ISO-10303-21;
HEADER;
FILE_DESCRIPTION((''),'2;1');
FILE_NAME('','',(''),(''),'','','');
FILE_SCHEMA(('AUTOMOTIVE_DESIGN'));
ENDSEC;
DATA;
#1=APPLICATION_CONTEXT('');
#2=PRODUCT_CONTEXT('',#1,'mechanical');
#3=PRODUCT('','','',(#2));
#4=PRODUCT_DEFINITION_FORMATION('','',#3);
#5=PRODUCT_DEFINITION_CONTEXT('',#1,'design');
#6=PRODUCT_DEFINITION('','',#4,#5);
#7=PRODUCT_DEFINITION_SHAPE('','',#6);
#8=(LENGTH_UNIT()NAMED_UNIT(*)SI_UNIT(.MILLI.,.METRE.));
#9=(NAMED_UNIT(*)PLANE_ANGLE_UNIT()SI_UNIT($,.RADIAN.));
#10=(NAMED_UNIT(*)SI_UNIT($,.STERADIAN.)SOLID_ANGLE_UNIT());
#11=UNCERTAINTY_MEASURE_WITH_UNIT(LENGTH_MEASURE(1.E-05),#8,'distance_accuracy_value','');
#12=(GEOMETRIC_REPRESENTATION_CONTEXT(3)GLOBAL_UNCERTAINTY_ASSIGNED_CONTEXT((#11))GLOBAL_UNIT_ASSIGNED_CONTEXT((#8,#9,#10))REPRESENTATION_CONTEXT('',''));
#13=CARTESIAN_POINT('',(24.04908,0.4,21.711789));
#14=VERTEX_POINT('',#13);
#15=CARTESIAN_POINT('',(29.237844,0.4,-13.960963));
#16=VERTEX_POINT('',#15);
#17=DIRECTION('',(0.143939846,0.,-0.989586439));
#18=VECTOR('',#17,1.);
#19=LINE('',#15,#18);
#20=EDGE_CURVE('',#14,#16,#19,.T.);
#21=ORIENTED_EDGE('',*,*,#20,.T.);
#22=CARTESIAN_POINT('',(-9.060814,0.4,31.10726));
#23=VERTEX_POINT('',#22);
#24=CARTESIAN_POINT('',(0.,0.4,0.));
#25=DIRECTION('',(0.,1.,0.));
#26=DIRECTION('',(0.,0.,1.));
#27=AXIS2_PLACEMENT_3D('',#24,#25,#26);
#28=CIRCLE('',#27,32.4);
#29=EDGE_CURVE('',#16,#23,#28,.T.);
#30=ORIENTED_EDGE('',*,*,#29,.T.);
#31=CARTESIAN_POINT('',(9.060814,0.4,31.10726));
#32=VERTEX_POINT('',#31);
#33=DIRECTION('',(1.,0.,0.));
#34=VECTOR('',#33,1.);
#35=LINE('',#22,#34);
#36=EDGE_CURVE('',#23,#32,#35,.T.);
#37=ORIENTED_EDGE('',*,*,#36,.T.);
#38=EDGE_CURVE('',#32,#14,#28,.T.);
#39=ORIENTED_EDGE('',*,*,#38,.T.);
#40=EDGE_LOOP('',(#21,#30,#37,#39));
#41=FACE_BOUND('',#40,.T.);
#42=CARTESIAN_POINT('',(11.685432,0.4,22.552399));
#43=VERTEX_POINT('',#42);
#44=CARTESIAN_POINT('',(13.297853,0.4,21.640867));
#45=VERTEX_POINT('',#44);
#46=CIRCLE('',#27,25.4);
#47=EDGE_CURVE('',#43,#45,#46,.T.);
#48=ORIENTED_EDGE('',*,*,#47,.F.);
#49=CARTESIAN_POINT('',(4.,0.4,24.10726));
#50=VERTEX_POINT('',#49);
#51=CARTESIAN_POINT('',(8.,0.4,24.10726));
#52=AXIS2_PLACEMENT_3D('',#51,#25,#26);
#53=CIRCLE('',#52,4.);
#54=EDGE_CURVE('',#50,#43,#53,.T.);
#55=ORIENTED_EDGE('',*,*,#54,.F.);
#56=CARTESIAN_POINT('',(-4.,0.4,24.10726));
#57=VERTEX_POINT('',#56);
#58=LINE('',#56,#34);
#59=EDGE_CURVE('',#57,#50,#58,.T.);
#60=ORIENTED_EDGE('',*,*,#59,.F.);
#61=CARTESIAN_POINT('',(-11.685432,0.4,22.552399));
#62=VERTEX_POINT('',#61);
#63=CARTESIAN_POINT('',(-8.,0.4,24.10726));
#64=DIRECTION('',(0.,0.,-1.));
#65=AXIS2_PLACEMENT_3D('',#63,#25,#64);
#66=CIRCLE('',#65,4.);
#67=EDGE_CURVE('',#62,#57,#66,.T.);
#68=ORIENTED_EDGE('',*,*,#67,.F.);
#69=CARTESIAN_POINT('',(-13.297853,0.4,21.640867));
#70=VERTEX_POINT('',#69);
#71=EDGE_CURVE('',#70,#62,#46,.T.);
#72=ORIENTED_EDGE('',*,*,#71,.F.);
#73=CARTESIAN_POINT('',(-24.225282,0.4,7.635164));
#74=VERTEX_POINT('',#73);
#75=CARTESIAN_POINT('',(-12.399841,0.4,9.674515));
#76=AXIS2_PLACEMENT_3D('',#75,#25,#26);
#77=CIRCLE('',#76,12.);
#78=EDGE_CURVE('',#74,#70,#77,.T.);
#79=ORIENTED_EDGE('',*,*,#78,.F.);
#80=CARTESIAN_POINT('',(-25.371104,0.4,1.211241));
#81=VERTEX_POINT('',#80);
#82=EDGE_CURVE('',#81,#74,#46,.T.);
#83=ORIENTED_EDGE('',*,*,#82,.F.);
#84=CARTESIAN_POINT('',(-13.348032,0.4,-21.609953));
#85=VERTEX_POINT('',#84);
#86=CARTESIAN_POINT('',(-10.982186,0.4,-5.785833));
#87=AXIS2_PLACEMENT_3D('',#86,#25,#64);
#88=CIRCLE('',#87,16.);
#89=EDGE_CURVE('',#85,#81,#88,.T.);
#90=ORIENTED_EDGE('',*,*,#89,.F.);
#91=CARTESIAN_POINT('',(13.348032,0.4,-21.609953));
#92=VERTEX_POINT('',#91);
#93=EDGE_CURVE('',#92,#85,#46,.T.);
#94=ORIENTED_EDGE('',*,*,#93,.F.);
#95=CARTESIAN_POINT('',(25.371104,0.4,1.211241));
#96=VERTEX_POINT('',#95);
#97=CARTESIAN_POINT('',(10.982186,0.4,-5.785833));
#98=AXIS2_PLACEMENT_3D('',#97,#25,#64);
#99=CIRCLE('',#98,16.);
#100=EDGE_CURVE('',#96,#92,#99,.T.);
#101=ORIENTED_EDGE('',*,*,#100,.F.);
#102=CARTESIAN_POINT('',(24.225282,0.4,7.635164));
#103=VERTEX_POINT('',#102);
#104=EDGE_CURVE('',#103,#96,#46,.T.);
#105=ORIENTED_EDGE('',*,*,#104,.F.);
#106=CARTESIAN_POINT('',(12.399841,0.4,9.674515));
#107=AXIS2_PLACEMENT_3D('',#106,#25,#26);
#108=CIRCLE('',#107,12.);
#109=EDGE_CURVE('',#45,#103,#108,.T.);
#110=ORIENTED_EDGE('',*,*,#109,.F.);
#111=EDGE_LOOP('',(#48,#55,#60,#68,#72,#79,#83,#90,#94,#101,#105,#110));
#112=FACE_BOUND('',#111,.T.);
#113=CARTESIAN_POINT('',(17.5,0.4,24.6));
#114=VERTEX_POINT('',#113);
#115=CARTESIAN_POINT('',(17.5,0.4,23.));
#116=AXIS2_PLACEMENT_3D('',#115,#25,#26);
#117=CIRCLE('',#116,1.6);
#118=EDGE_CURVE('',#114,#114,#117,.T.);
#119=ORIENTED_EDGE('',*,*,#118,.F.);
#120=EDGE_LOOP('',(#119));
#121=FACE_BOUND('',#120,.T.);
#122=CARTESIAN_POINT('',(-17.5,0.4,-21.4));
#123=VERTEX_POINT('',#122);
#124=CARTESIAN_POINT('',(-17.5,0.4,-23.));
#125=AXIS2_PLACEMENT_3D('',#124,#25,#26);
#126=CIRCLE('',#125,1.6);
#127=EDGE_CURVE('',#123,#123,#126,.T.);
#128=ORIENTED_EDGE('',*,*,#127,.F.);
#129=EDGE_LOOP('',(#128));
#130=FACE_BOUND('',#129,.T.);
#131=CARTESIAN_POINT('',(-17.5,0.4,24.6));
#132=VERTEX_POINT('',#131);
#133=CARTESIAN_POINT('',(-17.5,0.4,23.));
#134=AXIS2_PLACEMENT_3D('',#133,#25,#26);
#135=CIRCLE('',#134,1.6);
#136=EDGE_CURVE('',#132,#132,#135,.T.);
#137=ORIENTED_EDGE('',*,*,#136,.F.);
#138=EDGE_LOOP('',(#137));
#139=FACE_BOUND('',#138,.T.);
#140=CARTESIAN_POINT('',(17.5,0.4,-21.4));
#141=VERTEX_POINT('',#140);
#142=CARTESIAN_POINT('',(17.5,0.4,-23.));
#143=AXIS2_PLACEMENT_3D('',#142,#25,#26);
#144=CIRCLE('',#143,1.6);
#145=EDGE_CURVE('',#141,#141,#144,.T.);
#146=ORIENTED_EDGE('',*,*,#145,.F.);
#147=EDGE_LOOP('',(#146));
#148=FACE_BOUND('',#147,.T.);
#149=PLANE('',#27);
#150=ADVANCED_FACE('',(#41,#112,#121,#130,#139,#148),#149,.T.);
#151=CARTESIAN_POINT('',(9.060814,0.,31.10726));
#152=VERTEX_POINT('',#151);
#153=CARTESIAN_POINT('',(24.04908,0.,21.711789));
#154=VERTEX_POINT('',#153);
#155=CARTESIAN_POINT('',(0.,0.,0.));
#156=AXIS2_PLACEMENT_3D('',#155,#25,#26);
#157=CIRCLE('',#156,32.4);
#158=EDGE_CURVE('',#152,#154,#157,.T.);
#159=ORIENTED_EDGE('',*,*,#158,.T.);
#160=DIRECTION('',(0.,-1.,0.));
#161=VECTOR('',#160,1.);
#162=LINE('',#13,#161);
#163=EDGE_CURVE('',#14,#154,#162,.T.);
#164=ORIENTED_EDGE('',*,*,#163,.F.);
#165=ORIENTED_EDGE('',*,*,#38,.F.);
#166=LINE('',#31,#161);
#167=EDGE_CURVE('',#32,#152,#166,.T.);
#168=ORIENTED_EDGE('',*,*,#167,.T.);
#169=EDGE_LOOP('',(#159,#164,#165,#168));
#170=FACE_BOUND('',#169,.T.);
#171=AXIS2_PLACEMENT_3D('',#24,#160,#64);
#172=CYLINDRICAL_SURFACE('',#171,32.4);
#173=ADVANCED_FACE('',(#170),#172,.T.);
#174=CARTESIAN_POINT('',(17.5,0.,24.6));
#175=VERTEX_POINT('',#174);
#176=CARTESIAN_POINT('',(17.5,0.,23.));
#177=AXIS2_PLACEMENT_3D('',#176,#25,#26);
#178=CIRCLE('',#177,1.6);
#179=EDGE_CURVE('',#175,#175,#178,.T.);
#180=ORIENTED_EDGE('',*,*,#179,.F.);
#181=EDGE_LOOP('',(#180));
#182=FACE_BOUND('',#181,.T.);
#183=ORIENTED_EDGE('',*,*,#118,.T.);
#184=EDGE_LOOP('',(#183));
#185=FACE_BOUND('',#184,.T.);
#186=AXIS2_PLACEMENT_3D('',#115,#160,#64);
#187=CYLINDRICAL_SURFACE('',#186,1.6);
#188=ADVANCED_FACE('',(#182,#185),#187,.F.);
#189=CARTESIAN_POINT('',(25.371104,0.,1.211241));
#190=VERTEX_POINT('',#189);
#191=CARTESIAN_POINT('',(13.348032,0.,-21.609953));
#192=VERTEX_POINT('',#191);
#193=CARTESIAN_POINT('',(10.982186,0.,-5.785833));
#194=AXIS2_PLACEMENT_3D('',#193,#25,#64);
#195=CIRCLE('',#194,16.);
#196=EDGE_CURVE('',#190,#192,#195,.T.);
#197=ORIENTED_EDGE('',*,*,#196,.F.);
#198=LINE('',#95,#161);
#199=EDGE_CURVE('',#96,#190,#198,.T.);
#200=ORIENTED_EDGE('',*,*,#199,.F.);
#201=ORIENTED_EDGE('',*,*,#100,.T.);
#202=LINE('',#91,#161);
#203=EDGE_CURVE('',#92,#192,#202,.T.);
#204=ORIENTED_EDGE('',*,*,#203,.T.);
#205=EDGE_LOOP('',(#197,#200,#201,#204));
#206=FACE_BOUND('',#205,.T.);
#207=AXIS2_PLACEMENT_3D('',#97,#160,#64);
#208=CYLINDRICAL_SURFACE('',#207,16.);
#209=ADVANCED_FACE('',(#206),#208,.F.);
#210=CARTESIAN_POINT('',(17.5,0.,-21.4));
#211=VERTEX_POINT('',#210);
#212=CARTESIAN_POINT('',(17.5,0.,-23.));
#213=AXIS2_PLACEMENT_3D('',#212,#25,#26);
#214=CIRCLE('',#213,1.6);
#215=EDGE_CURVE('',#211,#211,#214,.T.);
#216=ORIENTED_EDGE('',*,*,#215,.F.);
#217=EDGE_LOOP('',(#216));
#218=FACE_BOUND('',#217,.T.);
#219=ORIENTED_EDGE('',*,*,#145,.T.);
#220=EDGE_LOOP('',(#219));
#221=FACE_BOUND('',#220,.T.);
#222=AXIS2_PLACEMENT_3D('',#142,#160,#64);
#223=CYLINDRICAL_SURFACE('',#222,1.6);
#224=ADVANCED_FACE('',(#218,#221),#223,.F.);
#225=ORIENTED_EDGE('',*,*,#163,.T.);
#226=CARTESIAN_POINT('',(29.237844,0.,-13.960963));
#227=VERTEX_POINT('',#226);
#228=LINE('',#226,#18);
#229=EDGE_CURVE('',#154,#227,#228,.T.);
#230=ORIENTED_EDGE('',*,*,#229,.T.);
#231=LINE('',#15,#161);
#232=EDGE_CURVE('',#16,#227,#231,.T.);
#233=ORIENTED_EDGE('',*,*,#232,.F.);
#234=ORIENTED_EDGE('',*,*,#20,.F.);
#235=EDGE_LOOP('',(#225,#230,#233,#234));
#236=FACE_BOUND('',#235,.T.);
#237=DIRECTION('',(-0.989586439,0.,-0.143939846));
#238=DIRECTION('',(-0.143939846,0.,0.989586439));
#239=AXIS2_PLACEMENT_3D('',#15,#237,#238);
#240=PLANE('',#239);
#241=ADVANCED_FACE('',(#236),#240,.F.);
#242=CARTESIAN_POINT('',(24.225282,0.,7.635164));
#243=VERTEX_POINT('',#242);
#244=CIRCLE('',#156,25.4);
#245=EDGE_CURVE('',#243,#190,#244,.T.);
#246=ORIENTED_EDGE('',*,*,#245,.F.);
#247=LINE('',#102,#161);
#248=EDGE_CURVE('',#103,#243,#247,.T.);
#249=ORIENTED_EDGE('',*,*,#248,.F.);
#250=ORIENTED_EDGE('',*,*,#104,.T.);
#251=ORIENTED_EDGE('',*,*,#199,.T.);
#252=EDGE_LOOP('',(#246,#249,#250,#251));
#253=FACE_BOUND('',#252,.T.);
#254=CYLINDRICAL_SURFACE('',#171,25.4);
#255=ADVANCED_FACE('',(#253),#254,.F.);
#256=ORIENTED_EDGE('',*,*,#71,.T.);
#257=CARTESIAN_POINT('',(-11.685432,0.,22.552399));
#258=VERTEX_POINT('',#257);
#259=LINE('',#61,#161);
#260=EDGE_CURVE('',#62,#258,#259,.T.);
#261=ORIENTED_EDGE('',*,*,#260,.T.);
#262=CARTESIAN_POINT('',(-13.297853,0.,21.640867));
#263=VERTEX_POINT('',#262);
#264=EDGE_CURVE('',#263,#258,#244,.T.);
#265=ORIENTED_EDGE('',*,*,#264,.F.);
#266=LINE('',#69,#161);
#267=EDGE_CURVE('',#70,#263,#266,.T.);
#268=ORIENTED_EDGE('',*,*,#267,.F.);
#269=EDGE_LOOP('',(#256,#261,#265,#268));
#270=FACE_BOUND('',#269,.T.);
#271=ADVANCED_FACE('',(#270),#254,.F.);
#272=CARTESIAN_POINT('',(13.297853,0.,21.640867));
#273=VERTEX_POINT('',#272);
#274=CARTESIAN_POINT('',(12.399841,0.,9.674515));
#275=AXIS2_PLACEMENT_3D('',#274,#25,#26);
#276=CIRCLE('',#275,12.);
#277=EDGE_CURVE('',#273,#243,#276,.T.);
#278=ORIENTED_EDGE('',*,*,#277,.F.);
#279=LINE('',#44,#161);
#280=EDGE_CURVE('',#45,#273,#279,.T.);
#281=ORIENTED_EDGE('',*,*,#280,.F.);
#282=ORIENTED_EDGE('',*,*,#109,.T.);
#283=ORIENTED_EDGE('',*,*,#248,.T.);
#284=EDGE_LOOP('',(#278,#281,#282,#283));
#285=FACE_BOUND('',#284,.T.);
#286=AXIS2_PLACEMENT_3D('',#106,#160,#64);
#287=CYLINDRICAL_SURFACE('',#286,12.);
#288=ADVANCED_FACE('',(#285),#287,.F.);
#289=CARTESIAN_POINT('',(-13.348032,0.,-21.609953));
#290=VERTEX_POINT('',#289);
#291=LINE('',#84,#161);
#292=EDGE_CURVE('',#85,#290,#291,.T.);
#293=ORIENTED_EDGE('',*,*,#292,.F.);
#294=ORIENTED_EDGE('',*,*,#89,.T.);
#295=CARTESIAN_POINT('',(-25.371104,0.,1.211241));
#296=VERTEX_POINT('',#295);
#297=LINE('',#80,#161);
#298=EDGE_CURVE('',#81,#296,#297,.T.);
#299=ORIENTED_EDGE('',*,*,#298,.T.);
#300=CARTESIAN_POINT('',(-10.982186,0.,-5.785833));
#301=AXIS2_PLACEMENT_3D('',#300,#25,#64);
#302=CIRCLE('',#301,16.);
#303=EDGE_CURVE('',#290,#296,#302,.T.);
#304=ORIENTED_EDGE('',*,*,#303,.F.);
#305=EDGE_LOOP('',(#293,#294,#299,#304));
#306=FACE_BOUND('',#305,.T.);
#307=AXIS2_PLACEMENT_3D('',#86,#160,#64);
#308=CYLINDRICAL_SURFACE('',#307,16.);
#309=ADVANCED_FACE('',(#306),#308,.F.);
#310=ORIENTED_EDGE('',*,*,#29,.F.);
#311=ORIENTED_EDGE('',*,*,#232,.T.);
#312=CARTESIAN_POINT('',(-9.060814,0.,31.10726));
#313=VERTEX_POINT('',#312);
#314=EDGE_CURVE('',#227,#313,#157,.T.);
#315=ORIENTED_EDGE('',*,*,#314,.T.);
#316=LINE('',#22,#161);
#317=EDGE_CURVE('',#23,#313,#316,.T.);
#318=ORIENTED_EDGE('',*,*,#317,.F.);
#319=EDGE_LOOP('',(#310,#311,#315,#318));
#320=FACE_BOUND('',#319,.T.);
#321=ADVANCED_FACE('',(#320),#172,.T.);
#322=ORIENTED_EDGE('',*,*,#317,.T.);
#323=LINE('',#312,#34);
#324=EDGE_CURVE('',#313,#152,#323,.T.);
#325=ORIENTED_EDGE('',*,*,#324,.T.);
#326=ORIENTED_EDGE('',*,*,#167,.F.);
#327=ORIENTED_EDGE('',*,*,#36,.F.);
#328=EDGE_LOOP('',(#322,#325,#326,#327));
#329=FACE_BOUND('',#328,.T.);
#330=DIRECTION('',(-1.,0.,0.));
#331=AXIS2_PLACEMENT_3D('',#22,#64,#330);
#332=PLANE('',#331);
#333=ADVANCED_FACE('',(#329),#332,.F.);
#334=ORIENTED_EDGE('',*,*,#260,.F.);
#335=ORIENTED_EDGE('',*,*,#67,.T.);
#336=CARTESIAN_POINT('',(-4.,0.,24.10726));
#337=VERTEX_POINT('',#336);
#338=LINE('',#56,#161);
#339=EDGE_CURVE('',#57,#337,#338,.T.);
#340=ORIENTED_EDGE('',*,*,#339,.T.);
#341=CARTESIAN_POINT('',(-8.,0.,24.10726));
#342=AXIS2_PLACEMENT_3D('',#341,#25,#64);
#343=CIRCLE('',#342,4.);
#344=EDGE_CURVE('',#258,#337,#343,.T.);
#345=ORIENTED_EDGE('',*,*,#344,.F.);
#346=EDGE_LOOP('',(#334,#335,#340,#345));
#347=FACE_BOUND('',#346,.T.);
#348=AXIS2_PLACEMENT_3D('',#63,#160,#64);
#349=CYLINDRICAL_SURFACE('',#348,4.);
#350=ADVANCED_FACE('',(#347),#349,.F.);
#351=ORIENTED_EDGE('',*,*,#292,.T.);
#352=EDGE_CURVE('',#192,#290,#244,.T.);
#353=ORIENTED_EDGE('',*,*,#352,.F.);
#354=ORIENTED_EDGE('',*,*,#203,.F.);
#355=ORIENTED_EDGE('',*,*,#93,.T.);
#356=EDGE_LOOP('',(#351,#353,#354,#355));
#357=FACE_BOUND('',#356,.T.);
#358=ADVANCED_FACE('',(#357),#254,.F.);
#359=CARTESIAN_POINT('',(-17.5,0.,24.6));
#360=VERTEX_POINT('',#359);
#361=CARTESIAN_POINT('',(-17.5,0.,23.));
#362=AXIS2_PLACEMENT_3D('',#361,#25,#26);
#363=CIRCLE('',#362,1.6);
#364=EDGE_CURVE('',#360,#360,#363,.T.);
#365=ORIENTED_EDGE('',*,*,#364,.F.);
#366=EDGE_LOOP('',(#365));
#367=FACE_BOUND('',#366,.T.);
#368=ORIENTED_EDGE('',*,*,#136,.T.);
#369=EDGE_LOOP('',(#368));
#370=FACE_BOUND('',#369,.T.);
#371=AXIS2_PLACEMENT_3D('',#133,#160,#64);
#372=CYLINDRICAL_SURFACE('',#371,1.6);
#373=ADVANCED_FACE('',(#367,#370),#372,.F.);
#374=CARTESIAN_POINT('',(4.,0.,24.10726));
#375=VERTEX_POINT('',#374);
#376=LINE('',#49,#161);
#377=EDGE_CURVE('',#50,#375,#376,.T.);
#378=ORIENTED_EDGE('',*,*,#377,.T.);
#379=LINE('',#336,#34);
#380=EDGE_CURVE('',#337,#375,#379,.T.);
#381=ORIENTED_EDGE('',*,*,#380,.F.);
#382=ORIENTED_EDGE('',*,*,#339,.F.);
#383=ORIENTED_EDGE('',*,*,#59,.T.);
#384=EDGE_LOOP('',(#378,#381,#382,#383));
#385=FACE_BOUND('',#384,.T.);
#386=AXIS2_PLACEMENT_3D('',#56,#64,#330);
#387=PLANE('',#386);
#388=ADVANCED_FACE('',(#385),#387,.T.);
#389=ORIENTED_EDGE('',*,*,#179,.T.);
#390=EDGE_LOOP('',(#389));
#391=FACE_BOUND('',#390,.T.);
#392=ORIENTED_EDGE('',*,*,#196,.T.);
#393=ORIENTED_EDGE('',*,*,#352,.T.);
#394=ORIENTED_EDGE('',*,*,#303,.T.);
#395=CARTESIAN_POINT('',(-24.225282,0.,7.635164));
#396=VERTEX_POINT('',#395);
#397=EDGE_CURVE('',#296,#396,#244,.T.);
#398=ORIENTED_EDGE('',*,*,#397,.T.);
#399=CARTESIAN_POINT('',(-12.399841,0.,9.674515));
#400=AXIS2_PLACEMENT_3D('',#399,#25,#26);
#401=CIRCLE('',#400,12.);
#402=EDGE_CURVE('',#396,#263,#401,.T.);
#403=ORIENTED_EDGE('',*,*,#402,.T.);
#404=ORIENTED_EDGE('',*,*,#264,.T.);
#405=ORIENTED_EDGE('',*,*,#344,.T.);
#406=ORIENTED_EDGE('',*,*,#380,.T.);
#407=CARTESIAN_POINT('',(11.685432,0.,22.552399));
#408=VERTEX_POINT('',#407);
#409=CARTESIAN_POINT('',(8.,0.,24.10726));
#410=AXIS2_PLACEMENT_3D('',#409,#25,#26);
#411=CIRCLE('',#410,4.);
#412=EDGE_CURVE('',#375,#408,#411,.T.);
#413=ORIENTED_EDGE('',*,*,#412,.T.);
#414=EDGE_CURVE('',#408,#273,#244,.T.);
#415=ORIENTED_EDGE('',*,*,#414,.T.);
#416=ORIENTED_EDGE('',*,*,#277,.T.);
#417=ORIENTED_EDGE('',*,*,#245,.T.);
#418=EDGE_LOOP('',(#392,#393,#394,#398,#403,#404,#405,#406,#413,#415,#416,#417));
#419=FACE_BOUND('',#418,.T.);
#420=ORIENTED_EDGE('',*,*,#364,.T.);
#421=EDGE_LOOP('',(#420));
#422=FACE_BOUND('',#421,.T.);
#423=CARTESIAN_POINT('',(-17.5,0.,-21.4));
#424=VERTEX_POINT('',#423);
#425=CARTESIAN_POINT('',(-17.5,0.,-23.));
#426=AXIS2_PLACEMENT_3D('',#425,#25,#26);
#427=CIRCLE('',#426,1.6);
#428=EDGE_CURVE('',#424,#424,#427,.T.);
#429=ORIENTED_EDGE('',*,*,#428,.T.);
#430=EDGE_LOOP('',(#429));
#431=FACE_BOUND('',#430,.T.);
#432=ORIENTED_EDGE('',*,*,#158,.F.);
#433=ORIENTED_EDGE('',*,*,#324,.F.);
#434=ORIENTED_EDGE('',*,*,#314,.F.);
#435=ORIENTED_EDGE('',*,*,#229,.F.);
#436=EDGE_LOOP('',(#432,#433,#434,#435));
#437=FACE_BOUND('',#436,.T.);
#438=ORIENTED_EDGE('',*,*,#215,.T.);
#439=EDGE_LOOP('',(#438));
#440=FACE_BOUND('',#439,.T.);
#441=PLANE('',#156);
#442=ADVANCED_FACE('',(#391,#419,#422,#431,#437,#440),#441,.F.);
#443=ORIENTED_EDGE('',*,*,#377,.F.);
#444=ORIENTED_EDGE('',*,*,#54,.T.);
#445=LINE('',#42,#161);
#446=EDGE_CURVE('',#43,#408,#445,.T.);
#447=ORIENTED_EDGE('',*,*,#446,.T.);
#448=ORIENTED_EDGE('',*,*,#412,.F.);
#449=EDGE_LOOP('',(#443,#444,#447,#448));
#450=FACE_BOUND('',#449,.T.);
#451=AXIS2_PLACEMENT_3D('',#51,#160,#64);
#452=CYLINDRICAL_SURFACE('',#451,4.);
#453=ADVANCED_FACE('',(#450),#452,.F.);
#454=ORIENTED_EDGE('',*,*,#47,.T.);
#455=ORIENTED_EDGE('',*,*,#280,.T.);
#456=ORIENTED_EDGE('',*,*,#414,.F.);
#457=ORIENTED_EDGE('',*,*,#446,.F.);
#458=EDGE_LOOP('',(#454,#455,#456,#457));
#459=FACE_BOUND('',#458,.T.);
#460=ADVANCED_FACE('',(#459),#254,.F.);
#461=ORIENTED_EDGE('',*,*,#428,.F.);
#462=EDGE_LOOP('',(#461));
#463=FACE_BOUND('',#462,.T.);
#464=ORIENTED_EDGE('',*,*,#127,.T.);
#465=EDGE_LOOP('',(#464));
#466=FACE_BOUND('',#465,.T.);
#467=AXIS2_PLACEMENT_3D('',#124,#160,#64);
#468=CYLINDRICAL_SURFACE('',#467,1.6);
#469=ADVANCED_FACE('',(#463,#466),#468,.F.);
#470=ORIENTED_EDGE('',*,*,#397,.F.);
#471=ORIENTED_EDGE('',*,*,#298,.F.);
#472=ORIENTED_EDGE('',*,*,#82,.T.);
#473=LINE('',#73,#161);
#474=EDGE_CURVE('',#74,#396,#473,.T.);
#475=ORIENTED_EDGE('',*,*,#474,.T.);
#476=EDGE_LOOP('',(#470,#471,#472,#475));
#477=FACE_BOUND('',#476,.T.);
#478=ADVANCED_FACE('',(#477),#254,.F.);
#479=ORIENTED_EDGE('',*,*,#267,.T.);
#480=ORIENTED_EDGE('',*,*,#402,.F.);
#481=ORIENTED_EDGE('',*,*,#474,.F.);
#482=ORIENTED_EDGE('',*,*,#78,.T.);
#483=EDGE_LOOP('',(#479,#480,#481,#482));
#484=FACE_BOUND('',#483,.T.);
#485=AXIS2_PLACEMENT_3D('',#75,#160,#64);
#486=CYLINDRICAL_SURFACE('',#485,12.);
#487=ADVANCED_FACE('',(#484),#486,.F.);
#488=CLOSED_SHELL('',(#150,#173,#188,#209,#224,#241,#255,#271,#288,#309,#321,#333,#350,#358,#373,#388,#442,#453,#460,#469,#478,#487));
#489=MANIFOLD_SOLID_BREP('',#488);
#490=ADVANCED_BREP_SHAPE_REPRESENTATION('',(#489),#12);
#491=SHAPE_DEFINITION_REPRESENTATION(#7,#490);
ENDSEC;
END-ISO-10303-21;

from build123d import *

# Parameters (mm, degrees)
SKETCH1_R           = 1.6
BOSS_EXTRUDE1_DEPTH = 0.4


with BuildPart() as part:
    # Sketch1 → Boss-Extrude1 (new body)
    with BuildSketch(Plane(origin=(0, 0, 0), x_dir=(1, 0, 0), z_dir=(0, 1, 0))):
        with BuildLine():
            Line((29.237843605, 13.960963482), (24.049079653, -21.711788683))
            ThreePointArc((24.049079653, -21.711788683), (17.208573183, -27.452231403), (9.060814288, -31.107260317))
            Line((9.060814288, -31.107260317), (-9.060814288, -31.107260317))
            ThreePointArc((-9.060814288, -31.107260317), (-24.689356555, 20.980840614), (29.237843605, 13.960963482))
        make_face()
        with Locations(Location((-17.5, 23, 0), (0, 0, 270))):
            Circle(SKETCH1_R, mode=Mode.SUBTRACT)
        with Locations(Location((-17.5, -23, 0), (0, 0, 270))):
            Circle(SKETCH1_R, mode=Mode.SUBTRACT)
        with Locations(Location((17.5, -23, 0), (0, 0, 270))):
            Circle(SKETCH1_R, mode=Mode.SUBTRACT)
        with Locations(Location((17.5, 23, 0), (0, 0, 270))):
            Circle(SKETCH1_R, mode=Mode.SUBTRACT)
        with BuildLine():
            Line((-4, -24.107260317), (4, -24.107260317))
            ThreePointArc((4, -24.107260317), (8.793181532, -28.027829543), (11.685431528, -22.552398764))
            ThreePointArc((11.685431528, -22.552398764), (12.499954018, -22.111335318), (13.297853098, -21.640866502))
            ThreePointArc((13.297853098, -21.640866502), (21.8608918, -17.056148201), (24.225281505, -7.63516444))
            ThreePointArc((24.225281505, -7.63516444), (25.005340406, -4.460151477), (25.371103528, -1.211241423))
            ThreePointArc((25.371103528, -1.211241423), (25.13782952, 13.24356348), (13.348031622, 21.609952611))
            ThreePointArc((13.348031622, 21.609952611), (0, 25.4), (-13.348031622, 21.609952611))
            ThreePointArc((-13.348031622, 21.609952611), (-25.13782952, 13.24356348), (-25.371103528, -1.211241423))
            ThreePointArc((-25.371103528, -1.211241423), (-25.005340406, -4.460151477), (-24.225281505, -7.63516444))
            ThreePointArc((-24.225281505, -7.63516444), (-21.8608918, -17.056148201), (-13.297853098, -21.640866502))
            ThreePointArc((-13.297853098, -21.640866502), (-12.499954018, -22.111335318), (-11.685431528, -22.552398764))
            ThreePointArc((-11.685431528, -22.552398764), (-8.793181532, -28.027829543), (-4, -24.107260317))
        make_face(mode=Mode.SUBTRACT)
    extrude(amount=BOSS_EXTRUDE1_DEPTH)


solid = part.part
